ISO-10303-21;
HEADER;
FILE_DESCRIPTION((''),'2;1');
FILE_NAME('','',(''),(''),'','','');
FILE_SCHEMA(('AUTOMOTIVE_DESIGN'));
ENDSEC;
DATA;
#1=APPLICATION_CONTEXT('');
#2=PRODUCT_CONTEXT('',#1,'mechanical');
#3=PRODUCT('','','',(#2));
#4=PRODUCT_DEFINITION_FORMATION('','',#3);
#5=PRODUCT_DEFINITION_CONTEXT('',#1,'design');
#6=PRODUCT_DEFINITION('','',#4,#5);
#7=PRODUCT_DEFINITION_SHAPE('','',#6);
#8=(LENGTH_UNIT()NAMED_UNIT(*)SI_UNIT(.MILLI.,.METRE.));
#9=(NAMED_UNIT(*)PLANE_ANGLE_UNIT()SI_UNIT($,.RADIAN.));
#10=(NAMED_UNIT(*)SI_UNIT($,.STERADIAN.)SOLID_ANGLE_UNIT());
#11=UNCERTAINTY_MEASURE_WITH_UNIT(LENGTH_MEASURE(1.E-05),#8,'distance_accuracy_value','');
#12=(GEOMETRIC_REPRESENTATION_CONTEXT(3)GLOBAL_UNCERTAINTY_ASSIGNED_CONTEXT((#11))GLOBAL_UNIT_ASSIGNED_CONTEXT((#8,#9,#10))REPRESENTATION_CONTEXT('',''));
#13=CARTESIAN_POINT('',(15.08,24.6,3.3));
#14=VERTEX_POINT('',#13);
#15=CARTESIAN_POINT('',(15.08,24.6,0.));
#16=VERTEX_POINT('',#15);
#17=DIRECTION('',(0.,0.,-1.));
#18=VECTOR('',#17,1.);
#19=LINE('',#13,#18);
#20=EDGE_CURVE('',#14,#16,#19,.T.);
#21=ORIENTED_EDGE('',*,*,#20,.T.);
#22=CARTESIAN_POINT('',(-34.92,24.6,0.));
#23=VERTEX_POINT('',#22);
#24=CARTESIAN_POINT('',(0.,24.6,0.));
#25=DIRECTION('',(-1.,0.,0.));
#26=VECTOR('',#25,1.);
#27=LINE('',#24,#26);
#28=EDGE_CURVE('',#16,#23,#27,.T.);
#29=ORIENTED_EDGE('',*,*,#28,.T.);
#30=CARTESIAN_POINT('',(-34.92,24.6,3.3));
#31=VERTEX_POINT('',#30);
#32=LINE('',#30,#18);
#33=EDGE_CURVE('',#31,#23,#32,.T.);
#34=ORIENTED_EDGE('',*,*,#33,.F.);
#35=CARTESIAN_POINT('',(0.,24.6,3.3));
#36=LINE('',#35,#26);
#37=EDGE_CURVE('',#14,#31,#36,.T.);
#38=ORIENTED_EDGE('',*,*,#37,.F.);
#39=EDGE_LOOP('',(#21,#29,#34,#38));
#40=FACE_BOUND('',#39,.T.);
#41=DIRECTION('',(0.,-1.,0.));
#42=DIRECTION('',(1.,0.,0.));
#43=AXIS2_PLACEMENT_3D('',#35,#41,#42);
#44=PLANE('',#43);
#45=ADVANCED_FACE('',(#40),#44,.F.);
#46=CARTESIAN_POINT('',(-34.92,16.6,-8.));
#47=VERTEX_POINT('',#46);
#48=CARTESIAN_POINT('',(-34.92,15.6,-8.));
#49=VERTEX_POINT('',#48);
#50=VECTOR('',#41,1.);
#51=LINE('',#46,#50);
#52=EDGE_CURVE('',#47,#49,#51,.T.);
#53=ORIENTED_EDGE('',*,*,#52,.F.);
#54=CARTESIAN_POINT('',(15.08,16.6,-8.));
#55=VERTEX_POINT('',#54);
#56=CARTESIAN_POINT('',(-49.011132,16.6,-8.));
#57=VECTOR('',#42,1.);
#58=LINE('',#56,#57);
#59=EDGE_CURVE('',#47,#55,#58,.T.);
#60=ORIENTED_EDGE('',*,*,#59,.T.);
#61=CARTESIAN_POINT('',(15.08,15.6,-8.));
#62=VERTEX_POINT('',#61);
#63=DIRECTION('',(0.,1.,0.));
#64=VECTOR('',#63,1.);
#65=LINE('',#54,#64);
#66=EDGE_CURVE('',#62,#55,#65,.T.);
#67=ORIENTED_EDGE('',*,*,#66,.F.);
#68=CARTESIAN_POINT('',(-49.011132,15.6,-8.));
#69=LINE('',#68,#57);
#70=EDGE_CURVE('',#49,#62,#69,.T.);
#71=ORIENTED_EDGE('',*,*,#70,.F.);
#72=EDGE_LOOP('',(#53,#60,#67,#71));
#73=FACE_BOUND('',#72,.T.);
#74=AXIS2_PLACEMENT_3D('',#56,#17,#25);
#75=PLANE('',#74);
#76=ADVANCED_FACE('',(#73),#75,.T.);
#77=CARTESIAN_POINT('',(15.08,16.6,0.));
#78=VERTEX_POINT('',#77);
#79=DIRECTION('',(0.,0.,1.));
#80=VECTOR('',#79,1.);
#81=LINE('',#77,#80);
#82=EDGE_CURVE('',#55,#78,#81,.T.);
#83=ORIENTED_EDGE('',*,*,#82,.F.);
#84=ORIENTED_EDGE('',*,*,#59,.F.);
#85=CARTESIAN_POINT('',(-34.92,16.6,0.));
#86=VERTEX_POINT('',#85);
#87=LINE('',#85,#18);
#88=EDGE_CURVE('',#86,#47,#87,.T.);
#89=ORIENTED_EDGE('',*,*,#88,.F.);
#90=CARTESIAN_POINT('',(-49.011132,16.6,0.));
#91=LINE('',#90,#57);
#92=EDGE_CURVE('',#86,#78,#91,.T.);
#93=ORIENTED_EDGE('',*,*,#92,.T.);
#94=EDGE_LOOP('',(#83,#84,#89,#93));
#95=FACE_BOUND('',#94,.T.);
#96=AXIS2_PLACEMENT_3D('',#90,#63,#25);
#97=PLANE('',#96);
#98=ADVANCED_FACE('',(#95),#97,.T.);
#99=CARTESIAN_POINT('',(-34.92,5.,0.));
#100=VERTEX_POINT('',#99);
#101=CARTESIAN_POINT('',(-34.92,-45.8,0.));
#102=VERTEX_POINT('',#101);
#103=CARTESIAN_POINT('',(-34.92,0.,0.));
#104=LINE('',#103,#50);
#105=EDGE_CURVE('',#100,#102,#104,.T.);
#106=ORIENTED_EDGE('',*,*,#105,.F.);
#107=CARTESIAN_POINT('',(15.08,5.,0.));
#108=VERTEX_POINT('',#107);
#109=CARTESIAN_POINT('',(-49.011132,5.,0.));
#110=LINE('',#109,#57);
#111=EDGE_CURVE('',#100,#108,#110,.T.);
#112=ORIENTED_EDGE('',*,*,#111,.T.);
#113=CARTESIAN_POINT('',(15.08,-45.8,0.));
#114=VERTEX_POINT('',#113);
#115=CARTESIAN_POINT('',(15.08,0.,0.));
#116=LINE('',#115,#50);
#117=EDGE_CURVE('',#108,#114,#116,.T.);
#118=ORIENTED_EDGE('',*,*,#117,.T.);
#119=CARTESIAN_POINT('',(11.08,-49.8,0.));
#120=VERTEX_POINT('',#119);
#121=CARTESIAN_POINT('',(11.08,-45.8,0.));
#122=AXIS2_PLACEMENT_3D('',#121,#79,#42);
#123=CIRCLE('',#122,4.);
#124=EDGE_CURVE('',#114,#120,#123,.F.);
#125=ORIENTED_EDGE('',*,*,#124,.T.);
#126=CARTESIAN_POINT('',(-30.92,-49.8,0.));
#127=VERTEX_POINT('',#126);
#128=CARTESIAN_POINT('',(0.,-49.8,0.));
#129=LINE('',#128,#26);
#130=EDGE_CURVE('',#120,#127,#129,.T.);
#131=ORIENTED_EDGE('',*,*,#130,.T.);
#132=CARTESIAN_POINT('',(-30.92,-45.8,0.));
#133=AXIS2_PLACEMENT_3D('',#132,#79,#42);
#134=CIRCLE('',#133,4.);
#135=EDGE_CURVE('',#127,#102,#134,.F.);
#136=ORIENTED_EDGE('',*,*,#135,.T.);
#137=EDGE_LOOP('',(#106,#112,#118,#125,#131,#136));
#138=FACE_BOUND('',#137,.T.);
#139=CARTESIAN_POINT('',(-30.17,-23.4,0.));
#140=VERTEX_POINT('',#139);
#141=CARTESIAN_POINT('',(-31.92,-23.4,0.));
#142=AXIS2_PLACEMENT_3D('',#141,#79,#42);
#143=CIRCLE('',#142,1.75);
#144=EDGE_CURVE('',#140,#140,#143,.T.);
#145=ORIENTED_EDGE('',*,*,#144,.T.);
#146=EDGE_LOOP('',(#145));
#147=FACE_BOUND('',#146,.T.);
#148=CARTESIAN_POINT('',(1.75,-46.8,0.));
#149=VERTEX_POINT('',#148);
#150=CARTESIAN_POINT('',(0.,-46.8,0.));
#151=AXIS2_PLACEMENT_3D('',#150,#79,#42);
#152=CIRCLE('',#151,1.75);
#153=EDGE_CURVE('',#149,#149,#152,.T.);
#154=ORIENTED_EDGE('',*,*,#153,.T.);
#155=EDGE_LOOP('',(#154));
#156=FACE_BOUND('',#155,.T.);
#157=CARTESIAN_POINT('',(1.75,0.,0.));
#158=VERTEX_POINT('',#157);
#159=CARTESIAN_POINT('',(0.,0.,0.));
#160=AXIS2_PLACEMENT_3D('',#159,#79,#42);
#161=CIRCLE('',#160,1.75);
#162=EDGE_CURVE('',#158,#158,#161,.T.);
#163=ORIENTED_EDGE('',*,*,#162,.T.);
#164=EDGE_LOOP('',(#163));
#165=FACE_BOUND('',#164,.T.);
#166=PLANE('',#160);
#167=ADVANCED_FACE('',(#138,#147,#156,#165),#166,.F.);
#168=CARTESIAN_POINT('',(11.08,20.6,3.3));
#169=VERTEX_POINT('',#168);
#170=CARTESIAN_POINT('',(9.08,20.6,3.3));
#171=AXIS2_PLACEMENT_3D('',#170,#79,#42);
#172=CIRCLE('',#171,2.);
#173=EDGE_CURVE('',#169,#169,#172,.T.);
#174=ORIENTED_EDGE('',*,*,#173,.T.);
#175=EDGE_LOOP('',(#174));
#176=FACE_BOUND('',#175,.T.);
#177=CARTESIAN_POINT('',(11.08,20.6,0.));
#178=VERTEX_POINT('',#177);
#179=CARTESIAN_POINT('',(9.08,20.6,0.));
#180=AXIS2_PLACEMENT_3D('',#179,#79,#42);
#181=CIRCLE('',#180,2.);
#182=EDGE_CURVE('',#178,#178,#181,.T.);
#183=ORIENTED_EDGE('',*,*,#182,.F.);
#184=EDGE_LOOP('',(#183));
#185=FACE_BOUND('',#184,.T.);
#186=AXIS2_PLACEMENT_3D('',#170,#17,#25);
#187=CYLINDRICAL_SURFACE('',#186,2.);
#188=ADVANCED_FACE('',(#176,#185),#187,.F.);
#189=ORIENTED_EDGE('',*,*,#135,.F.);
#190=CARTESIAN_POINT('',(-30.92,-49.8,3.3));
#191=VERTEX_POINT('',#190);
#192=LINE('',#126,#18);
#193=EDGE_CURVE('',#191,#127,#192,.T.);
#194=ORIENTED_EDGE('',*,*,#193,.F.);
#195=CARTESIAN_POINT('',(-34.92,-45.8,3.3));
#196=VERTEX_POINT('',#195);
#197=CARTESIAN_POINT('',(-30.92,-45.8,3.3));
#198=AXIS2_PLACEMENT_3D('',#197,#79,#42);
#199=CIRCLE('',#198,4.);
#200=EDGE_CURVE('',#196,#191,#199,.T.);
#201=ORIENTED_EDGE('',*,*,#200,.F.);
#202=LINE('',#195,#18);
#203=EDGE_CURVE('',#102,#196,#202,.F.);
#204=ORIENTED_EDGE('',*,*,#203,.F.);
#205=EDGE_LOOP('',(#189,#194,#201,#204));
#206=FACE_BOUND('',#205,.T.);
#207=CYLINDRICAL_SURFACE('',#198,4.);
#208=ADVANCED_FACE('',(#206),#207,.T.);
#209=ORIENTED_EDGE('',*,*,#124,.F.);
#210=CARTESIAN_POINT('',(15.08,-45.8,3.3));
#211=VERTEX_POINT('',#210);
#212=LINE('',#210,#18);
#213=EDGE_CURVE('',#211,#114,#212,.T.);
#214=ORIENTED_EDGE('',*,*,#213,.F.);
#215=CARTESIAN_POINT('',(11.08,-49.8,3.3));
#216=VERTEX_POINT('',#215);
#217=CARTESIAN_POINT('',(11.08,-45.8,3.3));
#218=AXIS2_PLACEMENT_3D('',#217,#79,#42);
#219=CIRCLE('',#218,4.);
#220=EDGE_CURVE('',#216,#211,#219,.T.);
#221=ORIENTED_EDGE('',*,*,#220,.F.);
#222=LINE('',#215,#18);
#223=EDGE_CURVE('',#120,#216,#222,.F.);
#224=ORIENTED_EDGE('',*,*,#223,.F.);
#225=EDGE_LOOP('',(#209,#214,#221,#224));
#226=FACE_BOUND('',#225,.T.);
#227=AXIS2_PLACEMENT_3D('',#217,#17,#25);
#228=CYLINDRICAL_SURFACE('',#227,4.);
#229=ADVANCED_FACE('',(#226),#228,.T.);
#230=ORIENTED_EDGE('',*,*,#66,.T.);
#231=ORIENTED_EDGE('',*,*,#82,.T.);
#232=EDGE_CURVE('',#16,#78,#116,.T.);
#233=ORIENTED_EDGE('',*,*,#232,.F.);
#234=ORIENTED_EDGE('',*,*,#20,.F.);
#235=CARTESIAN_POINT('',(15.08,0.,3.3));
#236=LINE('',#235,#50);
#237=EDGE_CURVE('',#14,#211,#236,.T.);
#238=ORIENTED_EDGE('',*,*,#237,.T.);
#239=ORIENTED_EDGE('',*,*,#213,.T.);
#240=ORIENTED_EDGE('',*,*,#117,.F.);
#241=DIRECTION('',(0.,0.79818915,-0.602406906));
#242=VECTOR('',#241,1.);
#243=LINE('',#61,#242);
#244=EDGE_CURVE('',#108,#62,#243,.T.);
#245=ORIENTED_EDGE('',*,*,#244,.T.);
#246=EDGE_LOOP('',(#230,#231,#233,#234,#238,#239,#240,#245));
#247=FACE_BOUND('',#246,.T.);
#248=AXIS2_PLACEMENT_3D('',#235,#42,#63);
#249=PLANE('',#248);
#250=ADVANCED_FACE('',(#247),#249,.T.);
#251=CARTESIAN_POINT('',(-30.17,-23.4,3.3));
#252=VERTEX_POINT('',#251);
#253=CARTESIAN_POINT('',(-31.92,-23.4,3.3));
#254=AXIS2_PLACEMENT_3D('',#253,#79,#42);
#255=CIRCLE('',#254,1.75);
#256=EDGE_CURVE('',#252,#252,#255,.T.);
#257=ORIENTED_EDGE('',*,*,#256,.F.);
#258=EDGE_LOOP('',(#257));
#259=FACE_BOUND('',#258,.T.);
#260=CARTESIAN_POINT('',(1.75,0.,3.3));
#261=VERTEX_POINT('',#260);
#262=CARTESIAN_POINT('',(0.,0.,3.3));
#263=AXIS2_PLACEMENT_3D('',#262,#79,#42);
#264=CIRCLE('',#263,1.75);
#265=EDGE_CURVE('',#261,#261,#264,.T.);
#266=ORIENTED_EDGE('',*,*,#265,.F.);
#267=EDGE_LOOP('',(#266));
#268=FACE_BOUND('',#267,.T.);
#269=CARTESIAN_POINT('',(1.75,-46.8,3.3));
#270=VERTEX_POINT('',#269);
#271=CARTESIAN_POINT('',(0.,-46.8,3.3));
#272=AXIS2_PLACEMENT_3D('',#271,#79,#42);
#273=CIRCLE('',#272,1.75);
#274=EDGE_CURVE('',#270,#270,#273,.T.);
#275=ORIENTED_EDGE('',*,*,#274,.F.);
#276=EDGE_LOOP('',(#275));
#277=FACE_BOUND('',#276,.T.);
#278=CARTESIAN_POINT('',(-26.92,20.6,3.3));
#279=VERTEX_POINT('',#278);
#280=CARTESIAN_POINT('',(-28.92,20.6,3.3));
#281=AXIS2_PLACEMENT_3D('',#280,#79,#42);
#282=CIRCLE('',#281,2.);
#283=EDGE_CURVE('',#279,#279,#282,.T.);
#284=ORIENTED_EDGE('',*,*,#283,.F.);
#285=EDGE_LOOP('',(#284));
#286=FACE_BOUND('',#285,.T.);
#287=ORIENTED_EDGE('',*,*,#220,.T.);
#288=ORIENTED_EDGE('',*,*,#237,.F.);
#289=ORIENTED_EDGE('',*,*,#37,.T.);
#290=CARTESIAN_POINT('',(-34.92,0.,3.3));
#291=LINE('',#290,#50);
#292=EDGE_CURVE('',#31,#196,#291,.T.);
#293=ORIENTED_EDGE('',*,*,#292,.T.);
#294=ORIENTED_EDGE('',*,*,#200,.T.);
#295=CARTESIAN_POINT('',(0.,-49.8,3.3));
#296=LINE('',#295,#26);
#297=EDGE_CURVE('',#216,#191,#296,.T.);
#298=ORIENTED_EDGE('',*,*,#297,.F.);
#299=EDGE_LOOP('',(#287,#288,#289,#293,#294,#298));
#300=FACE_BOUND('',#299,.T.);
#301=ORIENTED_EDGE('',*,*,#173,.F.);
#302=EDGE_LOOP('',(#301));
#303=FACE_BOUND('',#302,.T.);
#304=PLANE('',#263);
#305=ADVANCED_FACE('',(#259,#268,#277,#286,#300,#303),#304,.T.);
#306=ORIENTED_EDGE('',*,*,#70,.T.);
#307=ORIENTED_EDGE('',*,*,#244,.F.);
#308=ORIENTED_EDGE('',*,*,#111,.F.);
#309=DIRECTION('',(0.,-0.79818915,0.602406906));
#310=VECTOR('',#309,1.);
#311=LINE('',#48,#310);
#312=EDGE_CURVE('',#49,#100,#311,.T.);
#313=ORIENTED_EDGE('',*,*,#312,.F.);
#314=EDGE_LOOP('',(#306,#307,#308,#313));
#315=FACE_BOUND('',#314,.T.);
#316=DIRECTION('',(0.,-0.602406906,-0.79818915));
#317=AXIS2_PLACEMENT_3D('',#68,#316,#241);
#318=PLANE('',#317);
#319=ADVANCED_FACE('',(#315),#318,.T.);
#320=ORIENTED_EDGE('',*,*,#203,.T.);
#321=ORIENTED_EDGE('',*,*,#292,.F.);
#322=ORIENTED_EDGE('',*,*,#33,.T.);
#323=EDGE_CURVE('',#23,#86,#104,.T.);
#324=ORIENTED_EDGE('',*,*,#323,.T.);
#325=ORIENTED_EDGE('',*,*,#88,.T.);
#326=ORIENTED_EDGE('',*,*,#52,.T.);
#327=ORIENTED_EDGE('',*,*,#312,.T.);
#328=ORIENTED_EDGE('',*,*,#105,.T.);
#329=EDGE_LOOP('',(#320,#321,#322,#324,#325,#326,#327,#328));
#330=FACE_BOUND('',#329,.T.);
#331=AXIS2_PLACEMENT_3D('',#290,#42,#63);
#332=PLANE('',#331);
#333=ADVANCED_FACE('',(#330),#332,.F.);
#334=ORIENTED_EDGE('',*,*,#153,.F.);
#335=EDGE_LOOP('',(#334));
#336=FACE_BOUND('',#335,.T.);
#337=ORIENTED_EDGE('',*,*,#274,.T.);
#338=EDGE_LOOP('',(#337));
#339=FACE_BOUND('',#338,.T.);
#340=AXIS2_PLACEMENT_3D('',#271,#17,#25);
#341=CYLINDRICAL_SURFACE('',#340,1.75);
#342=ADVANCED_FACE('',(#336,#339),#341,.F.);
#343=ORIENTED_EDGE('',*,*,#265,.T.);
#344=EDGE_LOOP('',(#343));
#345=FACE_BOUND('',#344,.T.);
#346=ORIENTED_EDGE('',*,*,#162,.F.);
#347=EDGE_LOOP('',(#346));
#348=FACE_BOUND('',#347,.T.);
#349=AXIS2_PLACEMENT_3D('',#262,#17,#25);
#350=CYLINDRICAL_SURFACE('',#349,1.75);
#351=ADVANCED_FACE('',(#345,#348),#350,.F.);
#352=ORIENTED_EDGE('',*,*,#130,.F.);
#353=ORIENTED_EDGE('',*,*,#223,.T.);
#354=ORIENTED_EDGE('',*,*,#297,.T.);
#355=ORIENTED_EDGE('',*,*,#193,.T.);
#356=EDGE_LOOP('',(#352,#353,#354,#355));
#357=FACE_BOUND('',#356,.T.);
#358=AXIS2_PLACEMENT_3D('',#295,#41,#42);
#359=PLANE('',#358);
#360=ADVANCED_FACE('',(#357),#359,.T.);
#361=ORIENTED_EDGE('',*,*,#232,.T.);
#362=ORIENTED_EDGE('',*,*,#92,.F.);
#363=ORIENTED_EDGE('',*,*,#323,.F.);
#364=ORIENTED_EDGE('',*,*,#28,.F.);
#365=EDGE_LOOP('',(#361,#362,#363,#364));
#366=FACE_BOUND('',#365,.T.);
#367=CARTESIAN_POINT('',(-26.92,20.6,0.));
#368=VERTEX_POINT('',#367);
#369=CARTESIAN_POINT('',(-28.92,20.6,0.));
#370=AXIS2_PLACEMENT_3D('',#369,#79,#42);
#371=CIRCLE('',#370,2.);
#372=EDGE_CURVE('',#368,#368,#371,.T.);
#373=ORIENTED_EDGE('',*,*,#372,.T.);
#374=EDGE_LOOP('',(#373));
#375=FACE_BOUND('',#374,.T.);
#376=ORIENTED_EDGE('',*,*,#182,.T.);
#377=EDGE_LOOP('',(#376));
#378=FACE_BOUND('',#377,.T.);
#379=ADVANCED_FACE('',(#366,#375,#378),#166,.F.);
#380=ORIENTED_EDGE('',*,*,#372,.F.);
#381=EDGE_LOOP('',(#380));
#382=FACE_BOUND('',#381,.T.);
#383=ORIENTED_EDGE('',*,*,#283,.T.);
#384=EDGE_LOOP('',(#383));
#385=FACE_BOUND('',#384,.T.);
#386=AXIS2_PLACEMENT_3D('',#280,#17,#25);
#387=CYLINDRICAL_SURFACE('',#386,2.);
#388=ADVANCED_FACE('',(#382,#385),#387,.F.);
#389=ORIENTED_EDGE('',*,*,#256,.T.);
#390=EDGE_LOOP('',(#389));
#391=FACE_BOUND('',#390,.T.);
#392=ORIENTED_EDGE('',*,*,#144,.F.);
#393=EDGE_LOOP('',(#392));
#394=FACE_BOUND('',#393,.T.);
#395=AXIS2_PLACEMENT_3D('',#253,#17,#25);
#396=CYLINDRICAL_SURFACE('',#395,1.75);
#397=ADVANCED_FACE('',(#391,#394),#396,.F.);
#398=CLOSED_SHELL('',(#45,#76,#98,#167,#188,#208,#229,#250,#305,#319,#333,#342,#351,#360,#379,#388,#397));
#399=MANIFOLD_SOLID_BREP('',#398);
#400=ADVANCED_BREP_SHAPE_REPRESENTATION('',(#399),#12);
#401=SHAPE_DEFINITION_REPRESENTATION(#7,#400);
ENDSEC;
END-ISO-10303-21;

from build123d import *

# Parameters (mm, degrees)
SKETCH_1_W      = 50
SKETCH_1_H      = 74.4
SKETCH_1_R      = 1.75
SKETCH_1_R_2    = 2
EXTRUDE_2_DEPTH = 3.3
FILLET_1_R      = 4
EXTRUDE_3_DEPTH = 50


with BuildPart() as part:
    # ｽｹｯﾁ1 → ﾎﾞｽ - 押し出し2 (new body)
    with BuildSketch(Plane.XY):
        with Locations((-9.92, -12.6)):
            Rectangle(SKETCH_1_W, SKETCH_1_H)
        Circle(SKETCH_1_R, mode=Mode.SUBTRACT)
        with Locations((0, -46.8)):
            Circle(SKETCH_1_R, mode=Mode.SUBTRACT)
        with Locations((-31.92, -23.4)):
            Circle(SKETCH_1_R, mode=Mode.SUBTRACT)
        with Locations((9.08, 20.6)):
            Circle(SKETCH_1_R_2, mode=Mode.SUBTRACT)
        with Locations((-28.92, 20.6)):
            Circle(SKETCH_1_R_2, mode=Mode.SUBTRACT)
    extrude(amount=EXTRUDE_2_DEPTH)

    # ﾌｨﾚｯﾄ1
    fillet_1_edges = [part.edges().sort_by_distance(p)[0] for p in [
        (15.08, -49.8, 1.65),
        (-34.92, -49.8, 1.65),
    ]]
    fillet(fillet_1_edges, radius=FILLET_1_R)

    # ｽｹｯﾁ3 → ﾎﾞｽ - 押し出し3 (add)
    with BuildSketch(Plane(origin=(15.08, 0, 0), x_dir=(0, 0, -1), z_dir=(1, 0, 0))):
        Polygon((0, 16.6), (8, 16.6), (8, 15.6), (0, 5), align=None)
    extrude(amount=-EXTRUDE_3_DEPTH)


solid = part.part
